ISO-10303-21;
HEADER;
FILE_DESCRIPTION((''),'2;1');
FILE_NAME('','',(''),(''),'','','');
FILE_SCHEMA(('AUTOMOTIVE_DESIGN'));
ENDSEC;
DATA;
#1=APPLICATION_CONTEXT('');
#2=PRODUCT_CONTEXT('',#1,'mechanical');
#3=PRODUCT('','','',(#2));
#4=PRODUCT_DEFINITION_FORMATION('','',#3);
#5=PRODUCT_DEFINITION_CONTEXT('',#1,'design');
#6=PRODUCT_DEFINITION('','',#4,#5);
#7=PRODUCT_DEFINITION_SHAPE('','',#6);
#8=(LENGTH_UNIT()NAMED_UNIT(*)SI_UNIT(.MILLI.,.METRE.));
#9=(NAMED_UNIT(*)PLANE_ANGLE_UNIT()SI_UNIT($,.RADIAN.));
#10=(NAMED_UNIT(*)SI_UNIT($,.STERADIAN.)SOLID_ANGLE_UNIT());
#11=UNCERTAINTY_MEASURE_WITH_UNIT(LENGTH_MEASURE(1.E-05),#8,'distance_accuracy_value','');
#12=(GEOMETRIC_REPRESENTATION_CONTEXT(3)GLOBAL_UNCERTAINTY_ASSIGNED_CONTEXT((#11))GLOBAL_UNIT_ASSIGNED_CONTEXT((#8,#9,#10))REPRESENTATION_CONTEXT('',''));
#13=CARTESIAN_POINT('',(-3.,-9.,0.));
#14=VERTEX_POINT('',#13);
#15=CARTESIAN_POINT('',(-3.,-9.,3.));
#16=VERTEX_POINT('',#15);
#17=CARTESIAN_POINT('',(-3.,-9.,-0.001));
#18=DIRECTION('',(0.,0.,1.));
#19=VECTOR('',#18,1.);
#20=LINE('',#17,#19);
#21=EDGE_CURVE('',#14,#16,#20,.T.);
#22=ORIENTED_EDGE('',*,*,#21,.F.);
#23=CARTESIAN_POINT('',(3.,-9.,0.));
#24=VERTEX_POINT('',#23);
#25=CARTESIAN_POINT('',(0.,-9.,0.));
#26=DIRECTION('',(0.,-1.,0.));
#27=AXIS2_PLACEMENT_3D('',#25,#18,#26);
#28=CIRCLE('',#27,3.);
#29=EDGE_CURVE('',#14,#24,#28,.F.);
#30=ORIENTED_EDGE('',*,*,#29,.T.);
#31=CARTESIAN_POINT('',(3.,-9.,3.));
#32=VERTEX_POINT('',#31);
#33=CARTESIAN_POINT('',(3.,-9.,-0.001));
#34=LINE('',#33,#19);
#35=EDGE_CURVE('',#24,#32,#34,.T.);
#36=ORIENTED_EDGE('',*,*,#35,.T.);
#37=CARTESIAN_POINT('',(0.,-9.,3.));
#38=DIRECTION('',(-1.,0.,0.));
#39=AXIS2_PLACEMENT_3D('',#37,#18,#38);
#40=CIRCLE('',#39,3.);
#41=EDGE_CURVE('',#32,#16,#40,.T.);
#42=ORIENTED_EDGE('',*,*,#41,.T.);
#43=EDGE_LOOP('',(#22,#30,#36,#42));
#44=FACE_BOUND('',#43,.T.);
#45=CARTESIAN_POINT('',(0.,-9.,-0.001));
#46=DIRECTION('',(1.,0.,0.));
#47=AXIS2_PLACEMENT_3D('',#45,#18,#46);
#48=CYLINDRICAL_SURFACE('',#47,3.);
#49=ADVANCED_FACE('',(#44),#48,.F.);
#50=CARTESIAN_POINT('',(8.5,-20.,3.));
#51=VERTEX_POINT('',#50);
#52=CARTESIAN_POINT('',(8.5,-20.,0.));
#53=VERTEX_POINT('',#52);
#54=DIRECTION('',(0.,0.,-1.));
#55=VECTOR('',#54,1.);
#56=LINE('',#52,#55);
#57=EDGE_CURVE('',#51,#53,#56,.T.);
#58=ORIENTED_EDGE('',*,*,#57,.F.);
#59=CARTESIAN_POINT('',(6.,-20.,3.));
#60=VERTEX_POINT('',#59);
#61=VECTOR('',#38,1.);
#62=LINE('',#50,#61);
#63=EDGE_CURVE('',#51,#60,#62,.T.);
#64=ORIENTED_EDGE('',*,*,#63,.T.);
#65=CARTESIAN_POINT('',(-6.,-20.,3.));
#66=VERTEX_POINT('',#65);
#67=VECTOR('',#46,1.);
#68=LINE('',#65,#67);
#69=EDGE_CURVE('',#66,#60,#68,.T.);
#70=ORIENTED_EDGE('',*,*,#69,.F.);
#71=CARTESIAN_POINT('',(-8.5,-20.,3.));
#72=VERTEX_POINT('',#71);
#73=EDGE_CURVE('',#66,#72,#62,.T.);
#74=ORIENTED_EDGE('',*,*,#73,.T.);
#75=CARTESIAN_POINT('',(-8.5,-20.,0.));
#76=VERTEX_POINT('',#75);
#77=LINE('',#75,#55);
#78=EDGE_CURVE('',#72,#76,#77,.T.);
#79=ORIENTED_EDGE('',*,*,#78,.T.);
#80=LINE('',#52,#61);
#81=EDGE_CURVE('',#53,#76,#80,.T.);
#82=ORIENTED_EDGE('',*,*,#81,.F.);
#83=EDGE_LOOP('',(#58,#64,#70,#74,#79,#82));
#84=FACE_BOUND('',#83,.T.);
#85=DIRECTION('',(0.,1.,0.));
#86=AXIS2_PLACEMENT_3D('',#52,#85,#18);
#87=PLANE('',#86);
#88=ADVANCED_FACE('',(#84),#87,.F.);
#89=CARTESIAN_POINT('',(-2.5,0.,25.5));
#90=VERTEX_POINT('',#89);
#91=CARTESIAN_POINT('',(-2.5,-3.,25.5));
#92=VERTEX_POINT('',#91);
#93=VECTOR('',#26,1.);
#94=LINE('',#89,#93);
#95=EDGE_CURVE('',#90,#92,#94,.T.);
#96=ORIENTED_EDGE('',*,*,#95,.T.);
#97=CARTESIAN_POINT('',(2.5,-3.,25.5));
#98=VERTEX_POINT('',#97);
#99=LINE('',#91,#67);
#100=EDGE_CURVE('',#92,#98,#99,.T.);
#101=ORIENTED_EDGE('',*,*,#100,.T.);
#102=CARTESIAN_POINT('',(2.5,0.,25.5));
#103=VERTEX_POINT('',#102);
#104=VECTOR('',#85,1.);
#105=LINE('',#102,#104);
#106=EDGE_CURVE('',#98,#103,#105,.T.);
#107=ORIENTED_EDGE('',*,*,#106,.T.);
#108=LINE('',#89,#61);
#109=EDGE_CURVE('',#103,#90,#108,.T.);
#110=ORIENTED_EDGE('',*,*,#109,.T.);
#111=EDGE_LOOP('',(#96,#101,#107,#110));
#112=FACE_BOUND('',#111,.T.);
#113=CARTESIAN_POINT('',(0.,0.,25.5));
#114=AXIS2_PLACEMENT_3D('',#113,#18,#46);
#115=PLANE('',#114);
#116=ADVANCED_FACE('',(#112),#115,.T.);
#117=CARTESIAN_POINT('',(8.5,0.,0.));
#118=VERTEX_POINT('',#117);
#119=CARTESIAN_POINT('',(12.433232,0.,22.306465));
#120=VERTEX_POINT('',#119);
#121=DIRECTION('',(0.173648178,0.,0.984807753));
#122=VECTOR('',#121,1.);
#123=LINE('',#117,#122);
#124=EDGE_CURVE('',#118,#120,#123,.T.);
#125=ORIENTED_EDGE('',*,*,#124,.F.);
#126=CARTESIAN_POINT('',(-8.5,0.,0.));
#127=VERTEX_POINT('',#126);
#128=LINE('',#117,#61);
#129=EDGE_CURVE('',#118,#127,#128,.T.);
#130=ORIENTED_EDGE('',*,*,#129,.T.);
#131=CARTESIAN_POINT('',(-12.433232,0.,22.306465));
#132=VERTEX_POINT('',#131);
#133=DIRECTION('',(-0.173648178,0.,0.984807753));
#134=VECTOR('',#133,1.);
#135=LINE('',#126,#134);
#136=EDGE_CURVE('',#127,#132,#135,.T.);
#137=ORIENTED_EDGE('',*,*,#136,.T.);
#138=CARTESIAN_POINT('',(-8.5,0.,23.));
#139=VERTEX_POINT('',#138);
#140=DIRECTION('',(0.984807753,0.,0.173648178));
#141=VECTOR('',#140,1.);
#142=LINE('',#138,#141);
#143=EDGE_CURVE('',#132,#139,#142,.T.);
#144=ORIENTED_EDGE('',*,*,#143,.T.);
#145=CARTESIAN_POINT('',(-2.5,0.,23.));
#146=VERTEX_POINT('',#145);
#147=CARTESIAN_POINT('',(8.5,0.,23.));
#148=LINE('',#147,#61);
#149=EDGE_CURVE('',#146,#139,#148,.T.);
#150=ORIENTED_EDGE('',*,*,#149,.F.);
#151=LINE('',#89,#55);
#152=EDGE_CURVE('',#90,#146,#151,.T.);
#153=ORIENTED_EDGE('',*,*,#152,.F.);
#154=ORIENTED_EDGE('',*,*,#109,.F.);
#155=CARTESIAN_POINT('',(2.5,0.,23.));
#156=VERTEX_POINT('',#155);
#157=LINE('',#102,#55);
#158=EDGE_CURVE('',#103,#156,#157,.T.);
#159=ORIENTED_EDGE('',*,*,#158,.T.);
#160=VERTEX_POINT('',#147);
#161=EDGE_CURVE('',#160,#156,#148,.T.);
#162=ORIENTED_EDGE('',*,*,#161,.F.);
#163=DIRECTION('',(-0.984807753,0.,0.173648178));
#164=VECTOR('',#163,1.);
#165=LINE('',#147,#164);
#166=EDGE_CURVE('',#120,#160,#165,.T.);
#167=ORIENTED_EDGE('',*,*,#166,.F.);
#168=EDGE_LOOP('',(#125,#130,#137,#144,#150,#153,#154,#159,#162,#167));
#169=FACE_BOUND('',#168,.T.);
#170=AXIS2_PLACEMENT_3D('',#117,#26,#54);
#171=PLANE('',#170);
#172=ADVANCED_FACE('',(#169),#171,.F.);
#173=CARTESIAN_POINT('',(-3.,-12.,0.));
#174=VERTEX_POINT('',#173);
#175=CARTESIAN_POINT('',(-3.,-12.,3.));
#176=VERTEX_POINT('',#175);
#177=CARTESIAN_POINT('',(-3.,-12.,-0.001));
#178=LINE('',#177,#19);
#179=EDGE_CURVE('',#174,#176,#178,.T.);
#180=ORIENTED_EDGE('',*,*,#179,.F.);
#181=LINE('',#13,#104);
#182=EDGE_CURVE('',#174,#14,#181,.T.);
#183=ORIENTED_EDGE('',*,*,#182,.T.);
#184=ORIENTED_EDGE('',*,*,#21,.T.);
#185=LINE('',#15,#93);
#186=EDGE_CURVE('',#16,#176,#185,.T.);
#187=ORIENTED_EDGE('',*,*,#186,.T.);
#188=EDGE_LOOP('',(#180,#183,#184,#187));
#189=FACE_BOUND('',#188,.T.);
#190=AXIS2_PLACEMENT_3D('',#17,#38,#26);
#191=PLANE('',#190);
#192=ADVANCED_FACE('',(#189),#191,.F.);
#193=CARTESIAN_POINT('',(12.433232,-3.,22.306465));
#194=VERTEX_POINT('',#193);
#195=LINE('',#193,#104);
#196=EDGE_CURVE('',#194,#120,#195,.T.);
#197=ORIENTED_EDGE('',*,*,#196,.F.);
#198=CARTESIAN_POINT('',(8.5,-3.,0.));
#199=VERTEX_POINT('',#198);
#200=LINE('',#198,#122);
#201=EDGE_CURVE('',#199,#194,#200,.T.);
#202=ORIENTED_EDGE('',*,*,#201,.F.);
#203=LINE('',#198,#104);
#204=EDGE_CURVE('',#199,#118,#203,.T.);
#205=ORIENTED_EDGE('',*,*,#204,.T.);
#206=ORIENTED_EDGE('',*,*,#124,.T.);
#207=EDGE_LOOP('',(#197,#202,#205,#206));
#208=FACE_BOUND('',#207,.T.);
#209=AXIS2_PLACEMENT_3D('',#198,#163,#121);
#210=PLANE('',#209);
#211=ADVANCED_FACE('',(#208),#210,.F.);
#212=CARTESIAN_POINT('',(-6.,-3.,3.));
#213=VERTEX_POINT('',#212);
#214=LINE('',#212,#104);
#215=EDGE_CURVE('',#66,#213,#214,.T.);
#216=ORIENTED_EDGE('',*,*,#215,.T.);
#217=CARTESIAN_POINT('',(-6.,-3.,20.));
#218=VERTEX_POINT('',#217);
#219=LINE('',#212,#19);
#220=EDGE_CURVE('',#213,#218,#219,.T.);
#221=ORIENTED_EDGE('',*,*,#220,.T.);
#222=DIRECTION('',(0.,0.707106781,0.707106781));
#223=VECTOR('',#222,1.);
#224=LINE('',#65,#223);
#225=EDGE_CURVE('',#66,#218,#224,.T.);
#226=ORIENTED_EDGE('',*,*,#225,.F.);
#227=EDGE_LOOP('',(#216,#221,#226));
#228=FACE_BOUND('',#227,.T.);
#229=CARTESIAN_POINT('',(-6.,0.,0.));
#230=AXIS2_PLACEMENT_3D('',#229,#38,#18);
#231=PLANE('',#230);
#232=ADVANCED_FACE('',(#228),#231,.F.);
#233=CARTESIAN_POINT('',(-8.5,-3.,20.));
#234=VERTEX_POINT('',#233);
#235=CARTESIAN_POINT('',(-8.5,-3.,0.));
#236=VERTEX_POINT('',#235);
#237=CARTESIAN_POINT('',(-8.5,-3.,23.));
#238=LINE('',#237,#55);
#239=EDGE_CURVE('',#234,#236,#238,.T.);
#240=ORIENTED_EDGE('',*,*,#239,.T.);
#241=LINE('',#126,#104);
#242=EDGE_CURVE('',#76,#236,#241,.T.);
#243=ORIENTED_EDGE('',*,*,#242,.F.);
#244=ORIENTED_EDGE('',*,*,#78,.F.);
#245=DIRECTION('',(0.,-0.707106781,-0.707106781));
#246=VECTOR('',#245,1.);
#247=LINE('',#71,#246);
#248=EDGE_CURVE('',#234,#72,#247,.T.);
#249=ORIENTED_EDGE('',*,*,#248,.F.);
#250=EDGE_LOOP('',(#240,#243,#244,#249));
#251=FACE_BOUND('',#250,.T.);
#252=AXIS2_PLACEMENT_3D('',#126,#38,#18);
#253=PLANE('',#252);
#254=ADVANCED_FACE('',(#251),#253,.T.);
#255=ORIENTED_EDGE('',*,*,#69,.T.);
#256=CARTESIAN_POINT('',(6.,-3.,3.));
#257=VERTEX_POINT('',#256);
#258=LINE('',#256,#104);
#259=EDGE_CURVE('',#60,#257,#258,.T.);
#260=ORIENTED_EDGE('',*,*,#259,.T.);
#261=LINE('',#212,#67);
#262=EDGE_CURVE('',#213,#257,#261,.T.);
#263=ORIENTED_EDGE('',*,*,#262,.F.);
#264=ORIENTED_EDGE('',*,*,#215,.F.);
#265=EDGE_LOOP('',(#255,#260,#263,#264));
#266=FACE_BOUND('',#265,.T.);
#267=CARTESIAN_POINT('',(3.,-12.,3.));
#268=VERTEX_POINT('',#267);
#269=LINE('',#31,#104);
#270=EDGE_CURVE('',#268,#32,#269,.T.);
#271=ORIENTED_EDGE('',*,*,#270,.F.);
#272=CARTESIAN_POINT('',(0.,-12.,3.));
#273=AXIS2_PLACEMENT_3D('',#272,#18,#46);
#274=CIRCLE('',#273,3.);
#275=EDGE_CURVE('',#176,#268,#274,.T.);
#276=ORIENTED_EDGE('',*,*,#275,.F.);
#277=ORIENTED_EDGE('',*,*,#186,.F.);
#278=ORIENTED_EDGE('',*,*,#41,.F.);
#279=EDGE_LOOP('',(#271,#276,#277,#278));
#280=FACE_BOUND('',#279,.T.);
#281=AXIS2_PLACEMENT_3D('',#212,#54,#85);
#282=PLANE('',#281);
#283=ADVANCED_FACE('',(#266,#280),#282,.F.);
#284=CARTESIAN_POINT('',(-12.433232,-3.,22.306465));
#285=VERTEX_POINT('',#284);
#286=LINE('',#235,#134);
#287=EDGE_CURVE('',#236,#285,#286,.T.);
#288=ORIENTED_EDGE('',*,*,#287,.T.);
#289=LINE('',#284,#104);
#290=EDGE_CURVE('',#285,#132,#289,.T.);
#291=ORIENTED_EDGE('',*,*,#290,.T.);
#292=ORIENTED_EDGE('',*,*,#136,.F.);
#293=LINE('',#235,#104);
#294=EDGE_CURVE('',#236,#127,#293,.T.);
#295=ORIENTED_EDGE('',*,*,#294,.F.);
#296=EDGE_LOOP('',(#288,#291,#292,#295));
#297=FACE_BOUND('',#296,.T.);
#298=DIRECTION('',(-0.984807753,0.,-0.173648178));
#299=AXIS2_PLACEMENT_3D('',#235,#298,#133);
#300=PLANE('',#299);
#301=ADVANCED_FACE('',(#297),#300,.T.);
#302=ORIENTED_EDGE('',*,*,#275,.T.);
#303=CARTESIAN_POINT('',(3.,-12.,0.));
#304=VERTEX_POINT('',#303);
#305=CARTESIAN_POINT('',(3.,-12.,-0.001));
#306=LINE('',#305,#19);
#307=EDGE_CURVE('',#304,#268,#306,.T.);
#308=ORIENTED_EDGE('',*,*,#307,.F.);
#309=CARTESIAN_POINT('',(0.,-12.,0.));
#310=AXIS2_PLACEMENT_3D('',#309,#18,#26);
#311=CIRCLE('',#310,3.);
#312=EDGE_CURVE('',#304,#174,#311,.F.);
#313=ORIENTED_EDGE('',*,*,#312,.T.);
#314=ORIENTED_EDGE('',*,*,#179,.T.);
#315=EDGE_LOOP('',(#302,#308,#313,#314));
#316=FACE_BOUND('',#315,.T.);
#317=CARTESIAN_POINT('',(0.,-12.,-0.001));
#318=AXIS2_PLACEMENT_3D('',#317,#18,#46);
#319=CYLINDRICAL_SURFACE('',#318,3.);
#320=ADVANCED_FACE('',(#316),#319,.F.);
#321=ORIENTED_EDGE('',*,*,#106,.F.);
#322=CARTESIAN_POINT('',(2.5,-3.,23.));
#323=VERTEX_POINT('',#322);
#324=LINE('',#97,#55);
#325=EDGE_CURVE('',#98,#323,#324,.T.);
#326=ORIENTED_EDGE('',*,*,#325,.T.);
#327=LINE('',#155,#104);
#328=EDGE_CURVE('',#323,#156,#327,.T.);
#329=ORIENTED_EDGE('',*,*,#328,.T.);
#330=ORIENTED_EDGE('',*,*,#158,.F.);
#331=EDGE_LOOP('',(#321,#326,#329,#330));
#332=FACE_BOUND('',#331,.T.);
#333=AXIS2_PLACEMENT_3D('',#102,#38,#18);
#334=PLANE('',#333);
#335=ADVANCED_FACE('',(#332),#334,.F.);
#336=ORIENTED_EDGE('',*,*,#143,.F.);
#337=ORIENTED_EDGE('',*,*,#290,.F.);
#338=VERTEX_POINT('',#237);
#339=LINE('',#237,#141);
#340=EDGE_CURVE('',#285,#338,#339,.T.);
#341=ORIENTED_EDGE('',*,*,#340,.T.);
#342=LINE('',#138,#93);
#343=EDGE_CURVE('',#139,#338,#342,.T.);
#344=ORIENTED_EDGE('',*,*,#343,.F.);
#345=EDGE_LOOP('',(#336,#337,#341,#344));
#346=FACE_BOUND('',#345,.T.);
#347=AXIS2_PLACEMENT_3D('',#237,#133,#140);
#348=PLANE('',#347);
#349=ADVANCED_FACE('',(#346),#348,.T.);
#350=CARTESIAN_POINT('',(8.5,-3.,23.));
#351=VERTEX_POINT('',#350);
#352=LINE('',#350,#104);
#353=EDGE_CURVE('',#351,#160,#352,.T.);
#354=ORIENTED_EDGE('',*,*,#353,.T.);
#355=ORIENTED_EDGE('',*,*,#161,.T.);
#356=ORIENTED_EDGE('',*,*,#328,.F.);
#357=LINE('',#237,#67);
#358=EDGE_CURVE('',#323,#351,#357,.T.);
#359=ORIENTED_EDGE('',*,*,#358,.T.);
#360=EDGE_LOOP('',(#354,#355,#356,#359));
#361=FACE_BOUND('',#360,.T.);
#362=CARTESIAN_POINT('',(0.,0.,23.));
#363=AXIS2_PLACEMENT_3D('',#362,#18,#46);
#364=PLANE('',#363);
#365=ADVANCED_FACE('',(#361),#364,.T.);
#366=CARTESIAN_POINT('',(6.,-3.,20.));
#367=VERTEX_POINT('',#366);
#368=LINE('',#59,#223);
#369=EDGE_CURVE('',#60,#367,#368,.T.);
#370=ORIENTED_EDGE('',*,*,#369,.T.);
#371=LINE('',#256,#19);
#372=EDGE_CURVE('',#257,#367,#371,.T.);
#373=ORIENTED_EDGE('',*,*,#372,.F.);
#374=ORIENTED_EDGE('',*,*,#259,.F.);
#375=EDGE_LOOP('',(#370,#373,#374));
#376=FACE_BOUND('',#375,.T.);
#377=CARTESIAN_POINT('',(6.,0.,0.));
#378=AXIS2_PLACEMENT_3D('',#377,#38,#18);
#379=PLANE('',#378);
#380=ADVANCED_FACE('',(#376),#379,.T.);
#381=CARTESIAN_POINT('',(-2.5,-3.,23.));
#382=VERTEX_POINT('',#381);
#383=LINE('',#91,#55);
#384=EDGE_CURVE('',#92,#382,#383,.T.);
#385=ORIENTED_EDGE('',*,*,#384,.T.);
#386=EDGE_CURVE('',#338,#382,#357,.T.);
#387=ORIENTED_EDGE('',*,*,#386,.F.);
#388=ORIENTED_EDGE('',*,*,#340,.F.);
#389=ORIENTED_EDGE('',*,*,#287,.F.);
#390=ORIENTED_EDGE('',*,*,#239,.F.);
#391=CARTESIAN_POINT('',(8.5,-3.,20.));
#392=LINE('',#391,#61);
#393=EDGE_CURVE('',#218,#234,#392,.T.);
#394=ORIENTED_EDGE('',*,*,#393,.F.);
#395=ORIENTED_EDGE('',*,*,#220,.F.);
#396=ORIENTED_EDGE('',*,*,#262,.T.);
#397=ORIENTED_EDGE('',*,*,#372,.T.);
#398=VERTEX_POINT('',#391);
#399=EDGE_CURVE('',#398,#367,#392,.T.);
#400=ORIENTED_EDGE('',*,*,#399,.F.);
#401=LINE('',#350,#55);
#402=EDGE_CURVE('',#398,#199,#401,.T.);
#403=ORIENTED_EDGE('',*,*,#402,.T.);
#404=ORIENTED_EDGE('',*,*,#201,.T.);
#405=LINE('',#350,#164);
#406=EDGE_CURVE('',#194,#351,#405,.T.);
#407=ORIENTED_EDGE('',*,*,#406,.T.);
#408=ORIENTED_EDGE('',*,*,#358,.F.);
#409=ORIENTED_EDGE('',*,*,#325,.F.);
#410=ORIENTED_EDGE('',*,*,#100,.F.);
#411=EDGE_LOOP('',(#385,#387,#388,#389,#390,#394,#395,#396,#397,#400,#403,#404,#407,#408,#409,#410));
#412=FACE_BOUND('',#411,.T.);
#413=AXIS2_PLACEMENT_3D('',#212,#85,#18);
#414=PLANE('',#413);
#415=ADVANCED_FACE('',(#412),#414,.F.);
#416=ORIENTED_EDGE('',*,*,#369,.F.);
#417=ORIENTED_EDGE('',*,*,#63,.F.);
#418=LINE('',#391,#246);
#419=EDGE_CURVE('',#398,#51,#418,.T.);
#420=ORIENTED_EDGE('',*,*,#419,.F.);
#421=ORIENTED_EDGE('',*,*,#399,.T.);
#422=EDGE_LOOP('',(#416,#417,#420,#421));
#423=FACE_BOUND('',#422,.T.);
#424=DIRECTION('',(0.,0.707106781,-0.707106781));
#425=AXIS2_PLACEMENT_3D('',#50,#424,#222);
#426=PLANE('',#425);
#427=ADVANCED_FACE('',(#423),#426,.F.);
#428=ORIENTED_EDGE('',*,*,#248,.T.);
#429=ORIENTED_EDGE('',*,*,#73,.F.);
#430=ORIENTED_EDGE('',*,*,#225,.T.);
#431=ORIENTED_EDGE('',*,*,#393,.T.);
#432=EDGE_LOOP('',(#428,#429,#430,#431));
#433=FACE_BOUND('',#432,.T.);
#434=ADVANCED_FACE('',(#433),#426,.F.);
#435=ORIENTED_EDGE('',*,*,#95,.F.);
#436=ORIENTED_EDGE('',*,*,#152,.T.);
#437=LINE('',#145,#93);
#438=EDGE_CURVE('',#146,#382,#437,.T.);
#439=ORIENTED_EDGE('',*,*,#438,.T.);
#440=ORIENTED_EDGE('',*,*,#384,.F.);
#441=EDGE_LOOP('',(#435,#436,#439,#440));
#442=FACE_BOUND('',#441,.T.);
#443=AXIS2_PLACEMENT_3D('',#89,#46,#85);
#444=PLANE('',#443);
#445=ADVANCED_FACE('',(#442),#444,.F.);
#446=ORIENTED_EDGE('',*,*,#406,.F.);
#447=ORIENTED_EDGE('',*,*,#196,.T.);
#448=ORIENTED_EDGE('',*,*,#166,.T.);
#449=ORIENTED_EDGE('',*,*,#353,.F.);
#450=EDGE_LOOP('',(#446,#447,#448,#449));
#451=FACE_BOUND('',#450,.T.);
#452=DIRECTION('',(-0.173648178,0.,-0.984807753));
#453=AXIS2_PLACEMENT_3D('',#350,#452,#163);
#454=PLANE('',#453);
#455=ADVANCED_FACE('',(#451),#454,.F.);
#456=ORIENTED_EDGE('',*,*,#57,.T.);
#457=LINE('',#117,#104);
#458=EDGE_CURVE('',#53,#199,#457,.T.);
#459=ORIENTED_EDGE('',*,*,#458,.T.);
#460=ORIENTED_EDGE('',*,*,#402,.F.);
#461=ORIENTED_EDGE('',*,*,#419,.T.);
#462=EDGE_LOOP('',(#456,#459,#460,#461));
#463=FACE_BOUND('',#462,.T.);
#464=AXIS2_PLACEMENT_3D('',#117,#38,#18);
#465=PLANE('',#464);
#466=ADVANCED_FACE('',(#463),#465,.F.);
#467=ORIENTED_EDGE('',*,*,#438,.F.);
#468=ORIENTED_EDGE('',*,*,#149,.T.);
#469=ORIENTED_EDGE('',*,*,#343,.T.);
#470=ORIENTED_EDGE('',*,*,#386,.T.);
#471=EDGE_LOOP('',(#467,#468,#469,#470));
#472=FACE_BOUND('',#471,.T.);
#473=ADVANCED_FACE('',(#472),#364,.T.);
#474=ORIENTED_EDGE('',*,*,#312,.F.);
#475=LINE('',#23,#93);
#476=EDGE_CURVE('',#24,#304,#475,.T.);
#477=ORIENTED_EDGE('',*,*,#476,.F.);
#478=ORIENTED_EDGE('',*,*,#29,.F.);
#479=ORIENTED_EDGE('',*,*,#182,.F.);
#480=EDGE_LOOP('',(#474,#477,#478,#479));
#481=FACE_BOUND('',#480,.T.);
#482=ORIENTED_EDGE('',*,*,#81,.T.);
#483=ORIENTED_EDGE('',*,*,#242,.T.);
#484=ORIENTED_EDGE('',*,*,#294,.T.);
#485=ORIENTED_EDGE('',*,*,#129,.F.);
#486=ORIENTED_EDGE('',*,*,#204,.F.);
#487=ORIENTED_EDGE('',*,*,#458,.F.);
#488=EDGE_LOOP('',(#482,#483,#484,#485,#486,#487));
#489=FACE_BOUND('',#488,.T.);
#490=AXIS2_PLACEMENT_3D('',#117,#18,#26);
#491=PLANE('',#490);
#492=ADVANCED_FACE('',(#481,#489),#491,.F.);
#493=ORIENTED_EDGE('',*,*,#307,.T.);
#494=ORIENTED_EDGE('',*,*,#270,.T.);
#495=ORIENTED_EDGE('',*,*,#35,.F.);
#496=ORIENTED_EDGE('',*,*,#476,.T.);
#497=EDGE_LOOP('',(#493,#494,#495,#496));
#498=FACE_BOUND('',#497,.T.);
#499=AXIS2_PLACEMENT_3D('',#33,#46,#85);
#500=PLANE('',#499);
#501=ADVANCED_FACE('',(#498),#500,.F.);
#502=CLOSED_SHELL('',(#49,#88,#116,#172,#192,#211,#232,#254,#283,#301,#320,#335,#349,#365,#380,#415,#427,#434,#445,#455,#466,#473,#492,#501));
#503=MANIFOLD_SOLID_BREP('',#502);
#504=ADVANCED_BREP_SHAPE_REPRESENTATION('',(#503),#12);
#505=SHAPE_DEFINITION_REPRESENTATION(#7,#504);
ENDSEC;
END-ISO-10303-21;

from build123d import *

# Parameters (mm, degrees)
BOSS_EXTRUDE1_DEPTH      = 8.5
SKETCH2_W                = 17
SKETCH2_H                = 17
CUT_EXTRUDE1_DEPTH       = 6
CUT_EXTRUDE2_REACH       = 5
RESSALTO_EXTRUS_O1_DEPTH = 3
RESSALTO_EXTRUS_O2_DEPTH = 3
ESBO_O3_W                = 5
ESBO_O3_H                = 3
RESSALTO_EXTRUS_O3_DEPTH = 2.5


with BuildPart() as part:
    # Sketch1 → Boss-Extrude1 (new body, symmetric)
    with BuildSketch(Plane(origin=(0, 0, 0), x_dir=(0, 0, -1), z_dir=(1, 0, 0))):
        Polygon((0, 0), (-20, 0), (-20, -3), (-11.5, -11.5), (-3, -20), (0, -20), align=None)
    extrude(amount=BOSS_EXTRUDE1_DEPTH, both=True)

    # Sketch2 → Cut-Extrude1 (cut, symmetric)
    with BuildSketch(Plane(origin=(0, 0, 0), x_dir=(0, 0, -1), z_dir=(1, 0, 0))):
        with Locations((-11.5, -11.5)):
            Rectangle(SKETCH2_W, SKETCH2_H)
    extrude(amount=CUT_EXTRUDE1_DEPTH, both=True, mode=Mode.SUBTRACT)

    # Sketch3 → Cut-Extrude2 (cut, up to next)
    with BuildSketch(Plane.XY.offset(3), mode=Mode.PRIVATE) as cut_extrude2_sk1:
        with BuildLine():
            Line((-3, -9), (-3, -12))
            ThreePointArc((-3, -12), (0, -15), (3, -12))
            Line((3, -12), (3, -9))
            ThreePointArc((3, -9), (0, -6), (-3, -9))
        make_face()
    cut_extrude2_tool1 = extrude(cut_extrude2_sk1.sketch, amount=-CUT_EXTRUDE2_REACH, mode=Mode.PRIVATE) & part.part
    add(cut_extrude2_tool1.solids().sort_by_distance((0, -10.5, 3))[0], mode=Mode.SUBTRACT)

    # Esboço1 → Ressalto-extrusão1 (add)
    with BuildSketch(Plane.XY.offset(20)):
        Polygon((-8.5, 0), (-8.5, -3), (-6, -3), (6, -3), (8.5, -3), (8.5, 0), align=None)
    extrude(amount=RESSALTO_EXTRUS_O1_DEPTH)

    # Esboço2 → Ressalto-extrusão2 (add)
    with BuildSketch(Plane(origin=(0, 0, 0), x_dir=(1, 0, 0), z_dir=(0, 1, 0))):
        Polygon((-8.5, 0), (-12.433231648, -22.306465139), (-8.5, -23), align=None)
    ressalto_extrus_o2 = extrude(amount=-RESSALTO_EXTRUS_O2_DEPTH)

    # Esboço3 → Ressalto-extrusão3 (add)
    with BuildSketch(Plane.XY.offset(23)):
        with Locations((0, -1.5)):
            Rectangle(ESBO_O3_W, ESBO_O3_H)
    extrude(amount=RESSALTO_EXTRUS_O3_DEPTH)

    # Espelhar1: Ressalto-extrusão2 across plane
    add(ressalto_extrus_o2.mirror(Plane(origin=(0, 0, 0), x_dir=(0, 0, 1), z_dir=(1, 0, 0))))


solid = part.part
